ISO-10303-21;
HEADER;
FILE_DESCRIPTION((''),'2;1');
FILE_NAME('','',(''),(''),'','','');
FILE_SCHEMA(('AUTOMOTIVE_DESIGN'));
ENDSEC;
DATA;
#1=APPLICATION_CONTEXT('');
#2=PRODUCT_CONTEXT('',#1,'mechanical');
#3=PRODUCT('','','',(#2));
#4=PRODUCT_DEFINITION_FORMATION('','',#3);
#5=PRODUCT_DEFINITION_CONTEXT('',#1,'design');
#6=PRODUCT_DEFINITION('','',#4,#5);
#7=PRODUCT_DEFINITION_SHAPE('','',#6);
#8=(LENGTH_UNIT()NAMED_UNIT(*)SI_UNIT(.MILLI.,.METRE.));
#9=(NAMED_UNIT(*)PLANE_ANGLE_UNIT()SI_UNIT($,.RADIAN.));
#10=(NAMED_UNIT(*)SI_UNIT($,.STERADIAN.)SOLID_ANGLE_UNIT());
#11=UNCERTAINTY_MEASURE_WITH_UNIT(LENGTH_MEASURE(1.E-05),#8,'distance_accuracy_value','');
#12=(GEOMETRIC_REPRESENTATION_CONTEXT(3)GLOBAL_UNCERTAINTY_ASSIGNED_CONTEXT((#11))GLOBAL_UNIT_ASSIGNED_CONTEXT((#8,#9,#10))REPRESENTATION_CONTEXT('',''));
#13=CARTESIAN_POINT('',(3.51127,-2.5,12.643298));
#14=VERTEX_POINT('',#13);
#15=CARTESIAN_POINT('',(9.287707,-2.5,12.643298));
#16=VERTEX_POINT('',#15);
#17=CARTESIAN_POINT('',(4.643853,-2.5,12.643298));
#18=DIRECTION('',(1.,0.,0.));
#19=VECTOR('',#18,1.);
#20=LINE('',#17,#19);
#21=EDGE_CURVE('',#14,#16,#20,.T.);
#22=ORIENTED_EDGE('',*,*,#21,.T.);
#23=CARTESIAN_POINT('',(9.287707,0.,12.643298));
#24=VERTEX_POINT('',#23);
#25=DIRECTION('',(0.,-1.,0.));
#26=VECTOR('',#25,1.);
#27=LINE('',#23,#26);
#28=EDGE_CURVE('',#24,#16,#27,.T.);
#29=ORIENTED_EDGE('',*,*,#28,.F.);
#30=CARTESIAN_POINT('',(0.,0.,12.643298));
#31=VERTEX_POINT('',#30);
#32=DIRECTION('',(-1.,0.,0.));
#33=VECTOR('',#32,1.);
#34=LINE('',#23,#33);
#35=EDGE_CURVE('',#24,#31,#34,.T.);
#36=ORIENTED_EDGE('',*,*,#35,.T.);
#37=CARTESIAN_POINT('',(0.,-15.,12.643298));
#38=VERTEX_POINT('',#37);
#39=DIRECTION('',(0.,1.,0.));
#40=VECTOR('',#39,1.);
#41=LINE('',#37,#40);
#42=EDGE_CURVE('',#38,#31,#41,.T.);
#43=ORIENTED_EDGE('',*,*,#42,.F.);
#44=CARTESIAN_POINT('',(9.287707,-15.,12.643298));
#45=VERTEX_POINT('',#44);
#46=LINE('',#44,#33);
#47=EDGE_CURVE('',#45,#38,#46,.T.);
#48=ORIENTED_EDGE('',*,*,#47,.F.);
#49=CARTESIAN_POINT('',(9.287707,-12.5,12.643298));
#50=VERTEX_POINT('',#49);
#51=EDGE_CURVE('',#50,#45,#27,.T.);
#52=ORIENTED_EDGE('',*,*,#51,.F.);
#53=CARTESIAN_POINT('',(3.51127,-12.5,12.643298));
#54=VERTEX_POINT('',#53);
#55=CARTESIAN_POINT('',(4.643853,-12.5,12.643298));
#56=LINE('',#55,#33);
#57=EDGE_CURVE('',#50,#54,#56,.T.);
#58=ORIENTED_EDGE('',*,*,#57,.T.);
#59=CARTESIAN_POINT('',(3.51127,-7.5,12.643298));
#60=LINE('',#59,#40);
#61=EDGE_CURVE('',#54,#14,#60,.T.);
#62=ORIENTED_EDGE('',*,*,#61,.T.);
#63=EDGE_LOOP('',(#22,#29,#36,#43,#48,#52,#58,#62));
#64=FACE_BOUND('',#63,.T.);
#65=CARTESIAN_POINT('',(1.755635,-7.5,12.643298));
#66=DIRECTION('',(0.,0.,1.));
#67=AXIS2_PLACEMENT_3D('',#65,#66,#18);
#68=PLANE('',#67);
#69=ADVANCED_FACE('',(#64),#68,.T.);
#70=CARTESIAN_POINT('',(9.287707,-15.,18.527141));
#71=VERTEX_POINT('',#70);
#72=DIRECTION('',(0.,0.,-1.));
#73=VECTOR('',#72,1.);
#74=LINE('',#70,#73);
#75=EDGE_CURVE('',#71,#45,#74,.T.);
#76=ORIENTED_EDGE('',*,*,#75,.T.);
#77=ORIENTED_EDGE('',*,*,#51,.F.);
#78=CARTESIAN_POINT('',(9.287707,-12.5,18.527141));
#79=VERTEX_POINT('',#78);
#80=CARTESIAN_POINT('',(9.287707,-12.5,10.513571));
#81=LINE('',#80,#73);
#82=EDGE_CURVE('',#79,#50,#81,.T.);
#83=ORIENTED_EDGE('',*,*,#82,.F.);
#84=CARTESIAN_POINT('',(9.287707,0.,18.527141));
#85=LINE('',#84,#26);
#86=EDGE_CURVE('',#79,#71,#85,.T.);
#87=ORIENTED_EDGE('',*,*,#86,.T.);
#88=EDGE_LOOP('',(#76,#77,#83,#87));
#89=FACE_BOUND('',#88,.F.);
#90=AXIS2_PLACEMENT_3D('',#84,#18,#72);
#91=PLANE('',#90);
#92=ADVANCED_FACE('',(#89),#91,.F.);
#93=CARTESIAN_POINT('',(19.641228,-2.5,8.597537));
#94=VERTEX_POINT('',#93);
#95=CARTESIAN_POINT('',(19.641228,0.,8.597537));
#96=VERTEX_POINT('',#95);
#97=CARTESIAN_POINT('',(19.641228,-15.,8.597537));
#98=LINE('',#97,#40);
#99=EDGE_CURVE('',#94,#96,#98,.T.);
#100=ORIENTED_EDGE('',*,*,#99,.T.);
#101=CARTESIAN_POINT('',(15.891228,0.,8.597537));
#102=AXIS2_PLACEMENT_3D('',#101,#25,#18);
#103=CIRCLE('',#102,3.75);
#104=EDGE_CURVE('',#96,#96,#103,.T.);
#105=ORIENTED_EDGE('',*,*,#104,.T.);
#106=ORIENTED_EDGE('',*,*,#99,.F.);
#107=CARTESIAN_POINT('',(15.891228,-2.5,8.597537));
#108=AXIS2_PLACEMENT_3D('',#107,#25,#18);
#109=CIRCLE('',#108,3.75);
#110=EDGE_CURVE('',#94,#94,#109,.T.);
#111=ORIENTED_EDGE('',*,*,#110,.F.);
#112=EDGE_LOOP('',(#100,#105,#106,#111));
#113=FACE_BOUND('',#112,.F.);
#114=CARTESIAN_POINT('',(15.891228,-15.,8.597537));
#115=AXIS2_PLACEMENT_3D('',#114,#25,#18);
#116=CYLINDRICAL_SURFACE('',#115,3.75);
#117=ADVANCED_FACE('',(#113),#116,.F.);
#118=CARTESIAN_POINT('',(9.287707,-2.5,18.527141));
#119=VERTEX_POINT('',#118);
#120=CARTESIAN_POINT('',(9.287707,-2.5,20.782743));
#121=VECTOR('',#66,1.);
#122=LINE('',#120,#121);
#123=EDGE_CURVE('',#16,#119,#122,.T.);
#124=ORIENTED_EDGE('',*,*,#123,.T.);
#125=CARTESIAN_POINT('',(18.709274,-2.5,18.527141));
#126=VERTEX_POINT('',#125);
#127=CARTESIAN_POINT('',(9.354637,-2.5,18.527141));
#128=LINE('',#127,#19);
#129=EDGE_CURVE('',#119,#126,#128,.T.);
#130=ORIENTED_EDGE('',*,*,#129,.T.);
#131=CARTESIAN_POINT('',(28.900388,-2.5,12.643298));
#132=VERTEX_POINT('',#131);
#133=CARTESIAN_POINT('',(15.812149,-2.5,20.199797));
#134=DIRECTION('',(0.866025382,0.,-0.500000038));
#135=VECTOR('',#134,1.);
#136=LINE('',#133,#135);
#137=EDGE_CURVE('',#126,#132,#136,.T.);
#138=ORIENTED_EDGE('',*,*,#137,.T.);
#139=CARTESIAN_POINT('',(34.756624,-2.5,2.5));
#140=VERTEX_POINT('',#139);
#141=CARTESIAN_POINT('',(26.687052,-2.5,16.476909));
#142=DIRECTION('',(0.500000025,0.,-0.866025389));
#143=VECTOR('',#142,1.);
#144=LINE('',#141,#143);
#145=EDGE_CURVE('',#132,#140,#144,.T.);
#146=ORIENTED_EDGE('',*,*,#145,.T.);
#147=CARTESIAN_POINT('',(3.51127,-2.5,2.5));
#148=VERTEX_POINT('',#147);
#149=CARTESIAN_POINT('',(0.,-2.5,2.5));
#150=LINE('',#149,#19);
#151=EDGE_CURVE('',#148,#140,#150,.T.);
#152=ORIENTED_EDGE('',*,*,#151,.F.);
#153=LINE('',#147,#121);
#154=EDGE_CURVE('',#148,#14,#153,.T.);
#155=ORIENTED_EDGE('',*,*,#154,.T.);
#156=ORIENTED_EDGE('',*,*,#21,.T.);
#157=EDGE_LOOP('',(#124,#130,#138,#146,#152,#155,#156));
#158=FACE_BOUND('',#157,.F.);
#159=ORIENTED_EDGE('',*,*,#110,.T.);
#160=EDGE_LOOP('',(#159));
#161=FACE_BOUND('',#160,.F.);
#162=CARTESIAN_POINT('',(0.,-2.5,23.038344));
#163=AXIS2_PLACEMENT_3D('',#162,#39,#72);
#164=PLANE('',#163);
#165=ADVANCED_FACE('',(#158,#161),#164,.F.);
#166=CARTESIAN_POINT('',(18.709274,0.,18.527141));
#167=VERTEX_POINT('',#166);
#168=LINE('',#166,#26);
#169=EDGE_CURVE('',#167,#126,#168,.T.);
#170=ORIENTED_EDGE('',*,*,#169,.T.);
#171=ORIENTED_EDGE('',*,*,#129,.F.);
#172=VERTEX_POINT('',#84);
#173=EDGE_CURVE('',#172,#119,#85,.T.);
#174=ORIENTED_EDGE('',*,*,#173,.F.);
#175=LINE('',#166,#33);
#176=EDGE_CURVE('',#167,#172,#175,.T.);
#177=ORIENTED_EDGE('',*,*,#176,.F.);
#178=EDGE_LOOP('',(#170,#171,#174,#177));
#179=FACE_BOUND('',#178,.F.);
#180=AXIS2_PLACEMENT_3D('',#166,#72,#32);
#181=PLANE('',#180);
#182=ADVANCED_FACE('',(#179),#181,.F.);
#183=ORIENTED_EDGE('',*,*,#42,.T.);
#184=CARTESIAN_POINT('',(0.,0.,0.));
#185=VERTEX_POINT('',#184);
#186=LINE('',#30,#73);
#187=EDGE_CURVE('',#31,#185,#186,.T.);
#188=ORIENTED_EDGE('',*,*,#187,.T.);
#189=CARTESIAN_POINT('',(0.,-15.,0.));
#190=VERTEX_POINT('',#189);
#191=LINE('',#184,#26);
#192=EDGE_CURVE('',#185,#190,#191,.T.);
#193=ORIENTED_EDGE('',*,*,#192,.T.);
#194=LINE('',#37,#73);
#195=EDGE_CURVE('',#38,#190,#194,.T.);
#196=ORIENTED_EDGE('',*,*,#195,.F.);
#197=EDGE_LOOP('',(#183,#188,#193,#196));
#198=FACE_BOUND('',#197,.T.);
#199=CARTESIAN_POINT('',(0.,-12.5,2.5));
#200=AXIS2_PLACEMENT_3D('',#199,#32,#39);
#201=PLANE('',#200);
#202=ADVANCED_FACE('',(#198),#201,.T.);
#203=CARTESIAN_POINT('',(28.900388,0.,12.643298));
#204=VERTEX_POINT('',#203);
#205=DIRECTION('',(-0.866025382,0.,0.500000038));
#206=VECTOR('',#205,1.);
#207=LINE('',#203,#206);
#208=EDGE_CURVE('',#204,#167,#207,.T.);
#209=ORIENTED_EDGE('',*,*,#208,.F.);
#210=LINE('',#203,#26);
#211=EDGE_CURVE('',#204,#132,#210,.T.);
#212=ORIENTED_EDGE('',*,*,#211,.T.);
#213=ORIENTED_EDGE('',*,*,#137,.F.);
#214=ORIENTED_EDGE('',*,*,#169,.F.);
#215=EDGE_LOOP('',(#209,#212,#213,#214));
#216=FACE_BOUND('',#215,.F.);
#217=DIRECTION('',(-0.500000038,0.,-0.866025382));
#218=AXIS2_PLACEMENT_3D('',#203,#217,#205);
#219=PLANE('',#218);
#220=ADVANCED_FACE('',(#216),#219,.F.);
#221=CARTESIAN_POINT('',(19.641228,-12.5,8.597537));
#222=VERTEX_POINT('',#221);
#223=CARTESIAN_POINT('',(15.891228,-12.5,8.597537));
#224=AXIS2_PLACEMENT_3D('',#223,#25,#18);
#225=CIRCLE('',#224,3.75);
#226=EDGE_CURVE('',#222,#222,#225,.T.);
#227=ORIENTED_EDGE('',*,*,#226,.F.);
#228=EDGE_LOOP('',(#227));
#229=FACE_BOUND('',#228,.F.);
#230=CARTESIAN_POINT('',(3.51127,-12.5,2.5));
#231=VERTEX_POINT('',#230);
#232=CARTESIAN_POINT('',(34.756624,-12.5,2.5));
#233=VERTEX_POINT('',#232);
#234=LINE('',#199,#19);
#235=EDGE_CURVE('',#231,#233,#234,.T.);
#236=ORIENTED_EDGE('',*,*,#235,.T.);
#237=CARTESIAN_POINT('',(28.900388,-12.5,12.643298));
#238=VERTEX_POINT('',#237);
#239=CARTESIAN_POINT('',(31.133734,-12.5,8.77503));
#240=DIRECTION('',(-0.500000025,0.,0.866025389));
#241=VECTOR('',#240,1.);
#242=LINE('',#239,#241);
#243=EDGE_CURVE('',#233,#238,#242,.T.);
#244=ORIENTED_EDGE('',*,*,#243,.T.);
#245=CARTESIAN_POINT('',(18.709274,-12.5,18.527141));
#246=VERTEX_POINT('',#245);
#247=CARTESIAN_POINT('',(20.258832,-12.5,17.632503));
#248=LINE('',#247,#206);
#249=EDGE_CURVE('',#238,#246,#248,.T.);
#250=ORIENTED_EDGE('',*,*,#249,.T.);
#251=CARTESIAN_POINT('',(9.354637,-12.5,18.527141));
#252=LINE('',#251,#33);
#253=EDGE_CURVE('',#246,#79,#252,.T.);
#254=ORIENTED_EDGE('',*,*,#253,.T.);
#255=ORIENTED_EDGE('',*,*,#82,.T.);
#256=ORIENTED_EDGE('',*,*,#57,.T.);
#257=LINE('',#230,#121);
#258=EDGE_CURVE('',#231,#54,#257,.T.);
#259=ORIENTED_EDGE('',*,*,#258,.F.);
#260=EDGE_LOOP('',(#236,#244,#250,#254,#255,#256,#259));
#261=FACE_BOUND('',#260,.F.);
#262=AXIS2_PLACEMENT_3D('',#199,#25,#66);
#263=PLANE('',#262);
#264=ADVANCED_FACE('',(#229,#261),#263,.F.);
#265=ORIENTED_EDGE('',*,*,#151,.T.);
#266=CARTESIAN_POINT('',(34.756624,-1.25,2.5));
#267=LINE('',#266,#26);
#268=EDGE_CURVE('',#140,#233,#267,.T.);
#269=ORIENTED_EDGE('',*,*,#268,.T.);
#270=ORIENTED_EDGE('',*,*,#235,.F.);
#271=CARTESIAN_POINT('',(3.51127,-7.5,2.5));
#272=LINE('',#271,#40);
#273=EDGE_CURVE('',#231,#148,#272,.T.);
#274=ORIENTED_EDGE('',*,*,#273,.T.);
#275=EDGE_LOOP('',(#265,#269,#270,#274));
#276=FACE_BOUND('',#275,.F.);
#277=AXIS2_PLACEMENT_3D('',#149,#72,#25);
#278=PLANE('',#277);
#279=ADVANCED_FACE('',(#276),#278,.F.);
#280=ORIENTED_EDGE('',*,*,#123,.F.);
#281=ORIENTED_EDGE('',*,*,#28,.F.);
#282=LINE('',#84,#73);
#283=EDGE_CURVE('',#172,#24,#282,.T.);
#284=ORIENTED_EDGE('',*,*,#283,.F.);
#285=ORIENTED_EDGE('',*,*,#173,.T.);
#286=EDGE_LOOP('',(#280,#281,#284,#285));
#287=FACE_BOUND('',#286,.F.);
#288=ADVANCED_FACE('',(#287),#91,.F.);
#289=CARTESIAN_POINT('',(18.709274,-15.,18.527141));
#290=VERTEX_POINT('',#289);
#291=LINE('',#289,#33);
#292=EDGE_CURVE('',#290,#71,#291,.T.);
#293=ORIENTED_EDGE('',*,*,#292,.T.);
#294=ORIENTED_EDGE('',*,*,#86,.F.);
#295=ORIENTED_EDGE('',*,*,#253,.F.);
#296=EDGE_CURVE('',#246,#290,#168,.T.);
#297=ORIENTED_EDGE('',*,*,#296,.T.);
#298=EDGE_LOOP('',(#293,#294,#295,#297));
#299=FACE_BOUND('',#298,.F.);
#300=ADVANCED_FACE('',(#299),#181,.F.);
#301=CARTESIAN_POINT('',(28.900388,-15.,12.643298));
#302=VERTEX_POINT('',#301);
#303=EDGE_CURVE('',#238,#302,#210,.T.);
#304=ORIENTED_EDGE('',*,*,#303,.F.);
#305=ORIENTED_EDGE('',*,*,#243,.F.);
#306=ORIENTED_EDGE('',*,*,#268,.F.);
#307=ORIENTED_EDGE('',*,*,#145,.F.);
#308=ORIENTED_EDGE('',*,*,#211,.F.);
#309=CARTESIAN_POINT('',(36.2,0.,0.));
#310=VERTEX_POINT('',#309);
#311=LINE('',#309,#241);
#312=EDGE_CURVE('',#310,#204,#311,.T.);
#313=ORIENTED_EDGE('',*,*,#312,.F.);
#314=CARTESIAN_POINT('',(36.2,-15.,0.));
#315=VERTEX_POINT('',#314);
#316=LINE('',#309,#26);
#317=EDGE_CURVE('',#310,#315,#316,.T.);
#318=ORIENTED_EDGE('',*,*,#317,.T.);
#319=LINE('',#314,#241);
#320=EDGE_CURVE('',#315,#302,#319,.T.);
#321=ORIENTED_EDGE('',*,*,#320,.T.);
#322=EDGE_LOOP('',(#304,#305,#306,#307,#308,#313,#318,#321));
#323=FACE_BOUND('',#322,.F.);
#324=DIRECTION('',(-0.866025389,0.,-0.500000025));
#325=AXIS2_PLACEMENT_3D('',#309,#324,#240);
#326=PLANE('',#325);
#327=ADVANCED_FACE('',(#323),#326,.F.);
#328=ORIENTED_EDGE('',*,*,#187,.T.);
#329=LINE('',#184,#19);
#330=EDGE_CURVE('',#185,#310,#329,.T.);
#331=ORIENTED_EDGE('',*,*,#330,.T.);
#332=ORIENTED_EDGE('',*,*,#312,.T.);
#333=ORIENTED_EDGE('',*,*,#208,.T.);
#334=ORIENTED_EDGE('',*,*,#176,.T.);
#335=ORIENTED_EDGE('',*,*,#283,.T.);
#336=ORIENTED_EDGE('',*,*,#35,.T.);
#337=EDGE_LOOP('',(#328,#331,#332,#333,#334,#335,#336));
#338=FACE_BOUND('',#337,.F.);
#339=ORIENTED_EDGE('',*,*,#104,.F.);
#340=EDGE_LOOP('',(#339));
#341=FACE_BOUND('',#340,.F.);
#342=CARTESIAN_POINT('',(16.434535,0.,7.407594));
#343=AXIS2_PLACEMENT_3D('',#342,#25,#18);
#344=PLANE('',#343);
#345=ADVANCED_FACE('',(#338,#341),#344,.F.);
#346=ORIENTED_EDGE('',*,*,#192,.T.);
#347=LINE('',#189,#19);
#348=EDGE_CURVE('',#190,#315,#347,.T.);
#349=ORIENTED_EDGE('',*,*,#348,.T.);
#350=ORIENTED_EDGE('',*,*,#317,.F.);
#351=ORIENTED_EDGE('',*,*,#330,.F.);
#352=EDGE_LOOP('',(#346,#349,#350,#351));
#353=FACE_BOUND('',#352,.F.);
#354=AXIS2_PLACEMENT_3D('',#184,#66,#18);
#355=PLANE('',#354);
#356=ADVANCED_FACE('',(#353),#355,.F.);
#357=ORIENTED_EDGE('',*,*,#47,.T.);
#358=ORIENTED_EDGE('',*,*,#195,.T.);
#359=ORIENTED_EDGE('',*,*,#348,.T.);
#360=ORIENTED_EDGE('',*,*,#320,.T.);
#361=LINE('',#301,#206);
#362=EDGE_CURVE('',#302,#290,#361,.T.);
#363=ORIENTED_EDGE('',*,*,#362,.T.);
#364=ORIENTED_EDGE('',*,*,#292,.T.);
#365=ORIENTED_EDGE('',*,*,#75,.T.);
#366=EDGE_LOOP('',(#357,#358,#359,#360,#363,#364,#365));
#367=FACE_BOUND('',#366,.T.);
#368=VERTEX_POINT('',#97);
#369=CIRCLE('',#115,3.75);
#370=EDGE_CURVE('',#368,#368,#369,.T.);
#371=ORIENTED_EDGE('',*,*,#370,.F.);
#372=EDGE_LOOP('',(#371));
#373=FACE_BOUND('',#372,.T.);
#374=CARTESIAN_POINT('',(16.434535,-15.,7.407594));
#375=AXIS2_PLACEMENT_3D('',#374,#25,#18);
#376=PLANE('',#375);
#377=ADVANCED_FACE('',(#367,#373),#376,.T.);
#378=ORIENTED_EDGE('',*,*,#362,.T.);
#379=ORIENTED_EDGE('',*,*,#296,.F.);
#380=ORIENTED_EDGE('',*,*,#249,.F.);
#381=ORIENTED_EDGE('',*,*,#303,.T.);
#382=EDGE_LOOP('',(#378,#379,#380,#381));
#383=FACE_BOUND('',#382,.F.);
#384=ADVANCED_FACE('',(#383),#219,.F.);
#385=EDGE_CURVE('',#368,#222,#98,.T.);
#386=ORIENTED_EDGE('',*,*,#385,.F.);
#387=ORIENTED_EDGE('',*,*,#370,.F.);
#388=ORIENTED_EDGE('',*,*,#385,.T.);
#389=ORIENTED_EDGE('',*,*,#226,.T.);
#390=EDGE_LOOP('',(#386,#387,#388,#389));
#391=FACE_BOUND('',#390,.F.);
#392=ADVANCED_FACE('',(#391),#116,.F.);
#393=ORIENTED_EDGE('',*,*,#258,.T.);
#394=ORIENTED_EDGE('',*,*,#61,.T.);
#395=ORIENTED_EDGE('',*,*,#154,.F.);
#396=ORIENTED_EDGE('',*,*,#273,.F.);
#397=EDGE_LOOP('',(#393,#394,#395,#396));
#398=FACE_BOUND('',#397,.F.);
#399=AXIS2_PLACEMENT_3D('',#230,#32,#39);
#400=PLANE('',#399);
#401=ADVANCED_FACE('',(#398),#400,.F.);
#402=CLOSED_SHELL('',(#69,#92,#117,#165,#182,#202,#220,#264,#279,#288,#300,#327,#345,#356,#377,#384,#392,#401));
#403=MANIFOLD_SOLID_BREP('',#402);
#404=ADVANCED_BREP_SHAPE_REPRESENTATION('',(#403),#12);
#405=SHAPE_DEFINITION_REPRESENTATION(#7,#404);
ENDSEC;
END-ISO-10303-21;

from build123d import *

# Parameters (mm, degrees)
F1_DEPTH = 15
F2_W     = 10
F2_H     = 10.395046
F2_H_2   = 10.143298
F3_DEPTH = 40
F4_W     = 3.51127
F4_H     = 10
F5_DEPTH = 10.143298
F6_R     = 3.75
F7_DEPTH = 25


with BuildPart() as f1:
    # F0 (on Front) → F1 (new body)
    with BuildSketch(Plane.XZ):
        Polygon((0, 12.643298), (0, 0), (36.2, 0), (28.900388, 12.643298), (18.709274, 18.527141), (9.287707, 18.527141), (9.287707, 12.643298), align=None)
    extrude(amount=F1_DEPTH)

    # F2 (on face) → F3 (cut)
    with BuildSketch(Plane(origin=(0, 0, 0), x_dir=(0, -1, 0), z_dir=(-1, 0, 0))):
        with Locations((7.5, 17.840821)):
            Rectangle(F2_W, F2_H)
        with Locations((7.5, 7.571649)):
            Rectangle(F2_W, F2_H_2)
    extrude(amount=-F3_DEPTH, mode=Mode.SUBTRACT)

    # F4 (on face) → F5 (join, through all)
    with BuildSketch(Plane.XY.offset(2.5)):
        with Locations((1.755635, -7.5)):
            Rectangle(F4_W, F4_H)
    extrude(amount=F5_DEPTH)

    # F6 (on face) → F7 (cut)
    with BuildSketch(Plane.XZ.offset(15)):
        with Locations((15.891228, 8.597537)):
            Circle(F6_R)
    extrude(amount=-F7_DEPTH, mode=Mode.SUBTRACT)


solid = f1.part
